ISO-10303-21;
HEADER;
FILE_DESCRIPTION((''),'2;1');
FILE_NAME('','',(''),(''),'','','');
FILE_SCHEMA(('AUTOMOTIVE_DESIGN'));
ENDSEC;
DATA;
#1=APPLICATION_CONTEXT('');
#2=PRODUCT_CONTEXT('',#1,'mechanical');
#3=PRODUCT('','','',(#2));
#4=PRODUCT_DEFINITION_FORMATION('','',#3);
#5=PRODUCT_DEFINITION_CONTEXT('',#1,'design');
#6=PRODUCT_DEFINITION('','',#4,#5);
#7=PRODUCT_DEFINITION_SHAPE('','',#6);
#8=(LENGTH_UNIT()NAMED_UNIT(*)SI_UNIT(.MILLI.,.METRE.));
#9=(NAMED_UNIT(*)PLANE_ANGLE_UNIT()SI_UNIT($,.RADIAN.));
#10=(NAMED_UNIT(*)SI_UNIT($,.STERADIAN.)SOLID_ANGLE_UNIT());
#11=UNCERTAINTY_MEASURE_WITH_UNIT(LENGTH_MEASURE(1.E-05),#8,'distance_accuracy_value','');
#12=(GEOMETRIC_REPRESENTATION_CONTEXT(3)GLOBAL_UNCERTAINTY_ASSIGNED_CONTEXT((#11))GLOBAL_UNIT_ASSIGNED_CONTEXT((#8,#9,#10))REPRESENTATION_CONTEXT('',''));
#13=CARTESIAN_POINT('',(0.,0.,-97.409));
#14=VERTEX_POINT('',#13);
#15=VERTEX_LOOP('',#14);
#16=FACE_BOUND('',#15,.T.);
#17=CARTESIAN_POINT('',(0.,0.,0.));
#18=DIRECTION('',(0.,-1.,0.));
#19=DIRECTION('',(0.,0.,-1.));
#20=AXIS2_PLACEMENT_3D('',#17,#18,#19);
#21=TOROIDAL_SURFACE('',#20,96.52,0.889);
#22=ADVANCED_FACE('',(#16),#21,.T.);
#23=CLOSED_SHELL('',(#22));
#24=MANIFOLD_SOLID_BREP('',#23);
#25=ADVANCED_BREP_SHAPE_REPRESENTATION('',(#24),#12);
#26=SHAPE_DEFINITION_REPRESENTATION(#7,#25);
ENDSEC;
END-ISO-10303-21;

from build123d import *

# Parameters (mm, degrees)
SKETCH1_R = 0.889


with BuildPart() as part:
    # Sketch1 → Revolve1 (revolve)
    with BuildSketch(Plane.XY):
        with Locations((96.52, 0)):
            Circle(SKETCH1_R)
    revolve(axis=Axis((0, 0, 0), (0, 1, 0)))


solid = part.part
